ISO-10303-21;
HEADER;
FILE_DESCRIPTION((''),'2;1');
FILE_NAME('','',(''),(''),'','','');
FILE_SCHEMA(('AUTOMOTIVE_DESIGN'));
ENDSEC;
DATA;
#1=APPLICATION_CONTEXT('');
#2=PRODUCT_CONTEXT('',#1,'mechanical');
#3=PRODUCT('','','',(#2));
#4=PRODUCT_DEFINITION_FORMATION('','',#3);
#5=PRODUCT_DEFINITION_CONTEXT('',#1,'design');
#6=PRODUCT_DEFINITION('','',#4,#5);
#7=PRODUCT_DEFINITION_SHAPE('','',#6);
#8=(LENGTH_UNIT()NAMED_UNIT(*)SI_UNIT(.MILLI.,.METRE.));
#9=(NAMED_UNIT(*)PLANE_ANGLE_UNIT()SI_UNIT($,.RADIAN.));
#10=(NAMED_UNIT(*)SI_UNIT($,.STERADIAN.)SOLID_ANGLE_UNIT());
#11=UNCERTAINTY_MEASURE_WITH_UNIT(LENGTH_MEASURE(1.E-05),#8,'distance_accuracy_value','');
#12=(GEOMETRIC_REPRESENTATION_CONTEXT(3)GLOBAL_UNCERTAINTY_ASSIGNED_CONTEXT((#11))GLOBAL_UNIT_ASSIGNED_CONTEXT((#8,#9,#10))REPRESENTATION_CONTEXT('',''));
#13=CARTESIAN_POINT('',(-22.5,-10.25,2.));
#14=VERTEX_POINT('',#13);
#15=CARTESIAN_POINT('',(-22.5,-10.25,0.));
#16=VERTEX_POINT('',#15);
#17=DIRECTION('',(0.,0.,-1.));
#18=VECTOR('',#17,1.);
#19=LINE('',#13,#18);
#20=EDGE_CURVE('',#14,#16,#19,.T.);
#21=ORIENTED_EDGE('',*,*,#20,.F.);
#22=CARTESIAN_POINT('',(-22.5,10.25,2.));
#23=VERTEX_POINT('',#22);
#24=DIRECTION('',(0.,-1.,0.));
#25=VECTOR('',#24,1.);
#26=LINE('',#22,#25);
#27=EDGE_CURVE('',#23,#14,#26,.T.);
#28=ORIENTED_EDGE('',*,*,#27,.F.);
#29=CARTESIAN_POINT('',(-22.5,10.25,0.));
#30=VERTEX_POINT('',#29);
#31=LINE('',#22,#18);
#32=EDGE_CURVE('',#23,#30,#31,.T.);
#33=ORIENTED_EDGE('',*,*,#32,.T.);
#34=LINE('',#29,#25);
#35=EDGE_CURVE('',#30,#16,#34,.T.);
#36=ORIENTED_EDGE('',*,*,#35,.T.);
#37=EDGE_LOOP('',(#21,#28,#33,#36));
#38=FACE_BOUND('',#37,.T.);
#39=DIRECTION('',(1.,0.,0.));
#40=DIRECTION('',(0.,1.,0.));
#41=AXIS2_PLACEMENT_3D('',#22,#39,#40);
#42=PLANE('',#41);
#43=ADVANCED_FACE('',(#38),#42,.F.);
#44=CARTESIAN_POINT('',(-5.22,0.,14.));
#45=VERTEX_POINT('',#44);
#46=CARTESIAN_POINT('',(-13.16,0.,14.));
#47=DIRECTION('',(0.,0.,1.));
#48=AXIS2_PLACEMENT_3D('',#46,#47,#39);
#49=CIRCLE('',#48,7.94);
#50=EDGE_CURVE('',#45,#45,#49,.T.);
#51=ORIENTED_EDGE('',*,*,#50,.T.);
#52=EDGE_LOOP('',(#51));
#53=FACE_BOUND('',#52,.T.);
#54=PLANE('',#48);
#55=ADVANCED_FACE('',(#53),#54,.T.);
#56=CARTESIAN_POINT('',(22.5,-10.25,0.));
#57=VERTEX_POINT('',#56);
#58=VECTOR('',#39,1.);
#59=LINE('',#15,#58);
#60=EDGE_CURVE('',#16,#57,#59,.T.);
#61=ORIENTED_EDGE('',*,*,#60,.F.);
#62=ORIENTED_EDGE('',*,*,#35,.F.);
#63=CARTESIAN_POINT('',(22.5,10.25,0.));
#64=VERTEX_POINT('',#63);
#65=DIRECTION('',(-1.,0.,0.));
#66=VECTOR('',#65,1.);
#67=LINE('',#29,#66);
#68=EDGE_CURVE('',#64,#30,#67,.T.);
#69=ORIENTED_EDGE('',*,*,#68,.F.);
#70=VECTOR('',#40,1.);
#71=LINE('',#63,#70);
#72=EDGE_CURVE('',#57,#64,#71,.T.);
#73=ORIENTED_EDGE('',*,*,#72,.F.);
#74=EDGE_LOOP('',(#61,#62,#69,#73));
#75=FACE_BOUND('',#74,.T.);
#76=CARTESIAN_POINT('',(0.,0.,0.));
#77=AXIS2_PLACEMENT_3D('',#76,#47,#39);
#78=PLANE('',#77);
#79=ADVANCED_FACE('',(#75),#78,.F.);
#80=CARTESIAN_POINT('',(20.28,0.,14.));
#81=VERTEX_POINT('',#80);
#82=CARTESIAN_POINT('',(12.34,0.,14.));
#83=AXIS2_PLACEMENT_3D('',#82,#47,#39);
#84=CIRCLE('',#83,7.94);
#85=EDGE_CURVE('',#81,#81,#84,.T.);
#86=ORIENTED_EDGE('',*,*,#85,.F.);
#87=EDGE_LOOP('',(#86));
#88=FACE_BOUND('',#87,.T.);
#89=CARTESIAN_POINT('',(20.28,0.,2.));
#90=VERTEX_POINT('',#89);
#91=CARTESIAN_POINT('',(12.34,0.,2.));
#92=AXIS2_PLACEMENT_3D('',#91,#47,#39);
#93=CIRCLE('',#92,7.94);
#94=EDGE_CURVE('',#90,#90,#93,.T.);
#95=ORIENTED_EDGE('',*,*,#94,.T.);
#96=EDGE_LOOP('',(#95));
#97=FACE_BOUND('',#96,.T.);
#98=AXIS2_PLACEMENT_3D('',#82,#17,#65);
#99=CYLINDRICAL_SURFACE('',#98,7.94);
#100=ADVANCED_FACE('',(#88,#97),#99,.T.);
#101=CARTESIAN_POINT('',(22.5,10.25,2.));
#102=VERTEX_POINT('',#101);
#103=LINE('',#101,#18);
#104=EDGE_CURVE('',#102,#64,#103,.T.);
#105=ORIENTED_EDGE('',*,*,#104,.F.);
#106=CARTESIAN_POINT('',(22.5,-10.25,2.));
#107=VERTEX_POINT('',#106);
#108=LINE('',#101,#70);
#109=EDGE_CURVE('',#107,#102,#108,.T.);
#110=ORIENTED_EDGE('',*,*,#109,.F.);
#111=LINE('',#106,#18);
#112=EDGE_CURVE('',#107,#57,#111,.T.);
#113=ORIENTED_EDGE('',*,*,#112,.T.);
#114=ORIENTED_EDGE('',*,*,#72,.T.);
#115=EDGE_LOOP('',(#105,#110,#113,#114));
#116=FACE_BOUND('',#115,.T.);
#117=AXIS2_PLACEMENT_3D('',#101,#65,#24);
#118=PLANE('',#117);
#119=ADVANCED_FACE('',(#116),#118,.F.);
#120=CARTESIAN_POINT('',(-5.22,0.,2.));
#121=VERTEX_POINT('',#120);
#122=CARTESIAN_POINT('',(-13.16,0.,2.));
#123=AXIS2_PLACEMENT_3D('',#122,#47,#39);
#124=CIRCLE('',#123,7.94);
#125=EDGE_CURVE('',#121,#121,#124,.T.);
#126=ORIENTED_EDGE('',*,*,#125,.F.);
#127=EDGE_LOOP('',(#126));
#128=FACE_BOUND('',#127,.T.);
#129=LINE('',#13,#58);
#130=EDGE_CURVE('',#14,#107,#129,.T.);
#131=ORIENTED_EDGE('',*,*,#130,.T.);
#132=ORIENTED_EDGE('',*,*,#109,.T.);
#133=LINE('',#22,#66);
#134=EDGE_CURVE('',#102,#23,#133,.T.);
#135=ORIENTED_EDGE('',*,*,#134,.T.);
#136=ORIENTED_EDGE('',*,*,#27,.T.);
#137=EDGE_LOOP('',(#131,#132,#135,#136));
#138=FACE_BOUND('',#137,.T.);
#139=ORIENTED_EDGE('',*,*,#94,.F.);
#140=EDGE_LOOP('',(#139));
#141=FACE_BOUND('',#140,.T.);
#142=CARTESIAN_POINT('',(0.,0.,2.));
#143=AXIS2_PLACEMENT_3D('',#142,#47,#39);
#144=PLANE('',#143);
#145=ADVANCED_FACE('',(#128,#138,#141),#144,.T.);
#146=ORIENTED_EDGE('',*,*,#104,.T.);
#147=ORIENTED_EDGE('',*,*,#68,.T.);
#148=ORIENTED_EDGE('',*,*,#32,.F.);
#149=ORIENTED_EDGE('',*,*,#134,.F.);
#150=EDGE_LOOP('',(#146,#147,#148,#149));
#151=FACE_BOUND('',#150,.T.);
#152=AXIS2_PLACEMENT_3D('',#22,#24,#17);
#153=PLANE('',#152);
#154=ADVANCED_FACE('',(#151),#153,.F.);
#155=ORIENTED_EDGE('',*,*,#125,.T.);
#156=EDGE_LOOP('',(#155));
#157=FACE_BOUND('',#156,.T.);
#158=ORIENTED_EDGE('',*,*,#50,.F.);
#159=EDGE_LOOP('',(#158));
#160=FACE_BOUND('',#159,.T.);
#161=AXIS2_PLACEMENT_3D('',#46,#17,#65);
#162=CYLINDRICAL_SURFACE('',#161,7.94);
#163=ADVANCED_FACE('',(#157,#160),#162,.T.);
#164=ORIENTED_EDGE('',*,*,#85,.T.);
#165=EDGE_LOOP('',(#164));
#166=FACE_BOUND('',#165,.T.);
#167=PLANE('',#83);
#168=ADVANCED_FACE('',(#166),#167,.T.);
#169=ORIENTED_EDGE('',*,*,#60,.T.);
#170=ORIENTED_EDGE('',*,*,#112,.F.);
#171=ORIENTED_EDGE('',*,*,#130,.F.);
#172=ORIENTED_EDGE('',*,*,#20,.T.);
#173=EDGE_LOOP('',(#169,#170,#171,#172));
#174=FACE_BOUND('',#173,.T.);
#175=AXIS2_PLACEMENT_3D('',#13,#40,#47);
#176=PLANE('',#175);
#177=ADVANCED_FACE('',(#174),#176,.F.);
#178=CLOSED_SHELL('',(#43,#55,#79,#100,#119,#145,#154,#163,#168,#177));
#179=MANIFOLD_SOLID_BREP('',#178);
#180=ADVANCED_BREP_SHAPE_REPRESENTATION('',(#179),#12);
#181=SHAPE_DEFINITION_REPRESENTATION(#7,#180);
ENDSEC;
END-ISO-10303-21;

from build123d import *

# Parameters (mm, degrees)
SKETCH_1_W      = 45
SKETCH_1_H      = 20.5
EXTRUDE_1_DEPTH = 2
SKETCH_2_R      = 7.94
EXTRUDE_2_DEPTH = 12
SKETCH_3_R      = 7.94
EXTRUDE_3_DEPTH = 12


with BuildPart() as part:
    # 스케치1 → 보스-돌출1 (new body)
    with BuildSketch(Plane.XY):
        Rectangle(SKETCH_1_W, SKETCH_1_H)
    extrude(amount=EXTRUDE_1_DEPTH)

    # 스케치2 → 보스-돌출2 (add)
    with BuildSketch(Plane.XY.offset(2)):
        with Locations((-13.16, 0)):
            Circle(SKETCH_2_R)
    extrude(amount=EXTRUDE_2_DEPTH)

    # 스케치3 → 보스-돌출3 (add)
    with BuildSketch(Plane.XY.offset(2)):
        with Locations((12.34, 0)):
            Circle(SKETCH_3_R)
    extrude(amount=EXTRUDE_3_DEPTH)


solid = part.part
